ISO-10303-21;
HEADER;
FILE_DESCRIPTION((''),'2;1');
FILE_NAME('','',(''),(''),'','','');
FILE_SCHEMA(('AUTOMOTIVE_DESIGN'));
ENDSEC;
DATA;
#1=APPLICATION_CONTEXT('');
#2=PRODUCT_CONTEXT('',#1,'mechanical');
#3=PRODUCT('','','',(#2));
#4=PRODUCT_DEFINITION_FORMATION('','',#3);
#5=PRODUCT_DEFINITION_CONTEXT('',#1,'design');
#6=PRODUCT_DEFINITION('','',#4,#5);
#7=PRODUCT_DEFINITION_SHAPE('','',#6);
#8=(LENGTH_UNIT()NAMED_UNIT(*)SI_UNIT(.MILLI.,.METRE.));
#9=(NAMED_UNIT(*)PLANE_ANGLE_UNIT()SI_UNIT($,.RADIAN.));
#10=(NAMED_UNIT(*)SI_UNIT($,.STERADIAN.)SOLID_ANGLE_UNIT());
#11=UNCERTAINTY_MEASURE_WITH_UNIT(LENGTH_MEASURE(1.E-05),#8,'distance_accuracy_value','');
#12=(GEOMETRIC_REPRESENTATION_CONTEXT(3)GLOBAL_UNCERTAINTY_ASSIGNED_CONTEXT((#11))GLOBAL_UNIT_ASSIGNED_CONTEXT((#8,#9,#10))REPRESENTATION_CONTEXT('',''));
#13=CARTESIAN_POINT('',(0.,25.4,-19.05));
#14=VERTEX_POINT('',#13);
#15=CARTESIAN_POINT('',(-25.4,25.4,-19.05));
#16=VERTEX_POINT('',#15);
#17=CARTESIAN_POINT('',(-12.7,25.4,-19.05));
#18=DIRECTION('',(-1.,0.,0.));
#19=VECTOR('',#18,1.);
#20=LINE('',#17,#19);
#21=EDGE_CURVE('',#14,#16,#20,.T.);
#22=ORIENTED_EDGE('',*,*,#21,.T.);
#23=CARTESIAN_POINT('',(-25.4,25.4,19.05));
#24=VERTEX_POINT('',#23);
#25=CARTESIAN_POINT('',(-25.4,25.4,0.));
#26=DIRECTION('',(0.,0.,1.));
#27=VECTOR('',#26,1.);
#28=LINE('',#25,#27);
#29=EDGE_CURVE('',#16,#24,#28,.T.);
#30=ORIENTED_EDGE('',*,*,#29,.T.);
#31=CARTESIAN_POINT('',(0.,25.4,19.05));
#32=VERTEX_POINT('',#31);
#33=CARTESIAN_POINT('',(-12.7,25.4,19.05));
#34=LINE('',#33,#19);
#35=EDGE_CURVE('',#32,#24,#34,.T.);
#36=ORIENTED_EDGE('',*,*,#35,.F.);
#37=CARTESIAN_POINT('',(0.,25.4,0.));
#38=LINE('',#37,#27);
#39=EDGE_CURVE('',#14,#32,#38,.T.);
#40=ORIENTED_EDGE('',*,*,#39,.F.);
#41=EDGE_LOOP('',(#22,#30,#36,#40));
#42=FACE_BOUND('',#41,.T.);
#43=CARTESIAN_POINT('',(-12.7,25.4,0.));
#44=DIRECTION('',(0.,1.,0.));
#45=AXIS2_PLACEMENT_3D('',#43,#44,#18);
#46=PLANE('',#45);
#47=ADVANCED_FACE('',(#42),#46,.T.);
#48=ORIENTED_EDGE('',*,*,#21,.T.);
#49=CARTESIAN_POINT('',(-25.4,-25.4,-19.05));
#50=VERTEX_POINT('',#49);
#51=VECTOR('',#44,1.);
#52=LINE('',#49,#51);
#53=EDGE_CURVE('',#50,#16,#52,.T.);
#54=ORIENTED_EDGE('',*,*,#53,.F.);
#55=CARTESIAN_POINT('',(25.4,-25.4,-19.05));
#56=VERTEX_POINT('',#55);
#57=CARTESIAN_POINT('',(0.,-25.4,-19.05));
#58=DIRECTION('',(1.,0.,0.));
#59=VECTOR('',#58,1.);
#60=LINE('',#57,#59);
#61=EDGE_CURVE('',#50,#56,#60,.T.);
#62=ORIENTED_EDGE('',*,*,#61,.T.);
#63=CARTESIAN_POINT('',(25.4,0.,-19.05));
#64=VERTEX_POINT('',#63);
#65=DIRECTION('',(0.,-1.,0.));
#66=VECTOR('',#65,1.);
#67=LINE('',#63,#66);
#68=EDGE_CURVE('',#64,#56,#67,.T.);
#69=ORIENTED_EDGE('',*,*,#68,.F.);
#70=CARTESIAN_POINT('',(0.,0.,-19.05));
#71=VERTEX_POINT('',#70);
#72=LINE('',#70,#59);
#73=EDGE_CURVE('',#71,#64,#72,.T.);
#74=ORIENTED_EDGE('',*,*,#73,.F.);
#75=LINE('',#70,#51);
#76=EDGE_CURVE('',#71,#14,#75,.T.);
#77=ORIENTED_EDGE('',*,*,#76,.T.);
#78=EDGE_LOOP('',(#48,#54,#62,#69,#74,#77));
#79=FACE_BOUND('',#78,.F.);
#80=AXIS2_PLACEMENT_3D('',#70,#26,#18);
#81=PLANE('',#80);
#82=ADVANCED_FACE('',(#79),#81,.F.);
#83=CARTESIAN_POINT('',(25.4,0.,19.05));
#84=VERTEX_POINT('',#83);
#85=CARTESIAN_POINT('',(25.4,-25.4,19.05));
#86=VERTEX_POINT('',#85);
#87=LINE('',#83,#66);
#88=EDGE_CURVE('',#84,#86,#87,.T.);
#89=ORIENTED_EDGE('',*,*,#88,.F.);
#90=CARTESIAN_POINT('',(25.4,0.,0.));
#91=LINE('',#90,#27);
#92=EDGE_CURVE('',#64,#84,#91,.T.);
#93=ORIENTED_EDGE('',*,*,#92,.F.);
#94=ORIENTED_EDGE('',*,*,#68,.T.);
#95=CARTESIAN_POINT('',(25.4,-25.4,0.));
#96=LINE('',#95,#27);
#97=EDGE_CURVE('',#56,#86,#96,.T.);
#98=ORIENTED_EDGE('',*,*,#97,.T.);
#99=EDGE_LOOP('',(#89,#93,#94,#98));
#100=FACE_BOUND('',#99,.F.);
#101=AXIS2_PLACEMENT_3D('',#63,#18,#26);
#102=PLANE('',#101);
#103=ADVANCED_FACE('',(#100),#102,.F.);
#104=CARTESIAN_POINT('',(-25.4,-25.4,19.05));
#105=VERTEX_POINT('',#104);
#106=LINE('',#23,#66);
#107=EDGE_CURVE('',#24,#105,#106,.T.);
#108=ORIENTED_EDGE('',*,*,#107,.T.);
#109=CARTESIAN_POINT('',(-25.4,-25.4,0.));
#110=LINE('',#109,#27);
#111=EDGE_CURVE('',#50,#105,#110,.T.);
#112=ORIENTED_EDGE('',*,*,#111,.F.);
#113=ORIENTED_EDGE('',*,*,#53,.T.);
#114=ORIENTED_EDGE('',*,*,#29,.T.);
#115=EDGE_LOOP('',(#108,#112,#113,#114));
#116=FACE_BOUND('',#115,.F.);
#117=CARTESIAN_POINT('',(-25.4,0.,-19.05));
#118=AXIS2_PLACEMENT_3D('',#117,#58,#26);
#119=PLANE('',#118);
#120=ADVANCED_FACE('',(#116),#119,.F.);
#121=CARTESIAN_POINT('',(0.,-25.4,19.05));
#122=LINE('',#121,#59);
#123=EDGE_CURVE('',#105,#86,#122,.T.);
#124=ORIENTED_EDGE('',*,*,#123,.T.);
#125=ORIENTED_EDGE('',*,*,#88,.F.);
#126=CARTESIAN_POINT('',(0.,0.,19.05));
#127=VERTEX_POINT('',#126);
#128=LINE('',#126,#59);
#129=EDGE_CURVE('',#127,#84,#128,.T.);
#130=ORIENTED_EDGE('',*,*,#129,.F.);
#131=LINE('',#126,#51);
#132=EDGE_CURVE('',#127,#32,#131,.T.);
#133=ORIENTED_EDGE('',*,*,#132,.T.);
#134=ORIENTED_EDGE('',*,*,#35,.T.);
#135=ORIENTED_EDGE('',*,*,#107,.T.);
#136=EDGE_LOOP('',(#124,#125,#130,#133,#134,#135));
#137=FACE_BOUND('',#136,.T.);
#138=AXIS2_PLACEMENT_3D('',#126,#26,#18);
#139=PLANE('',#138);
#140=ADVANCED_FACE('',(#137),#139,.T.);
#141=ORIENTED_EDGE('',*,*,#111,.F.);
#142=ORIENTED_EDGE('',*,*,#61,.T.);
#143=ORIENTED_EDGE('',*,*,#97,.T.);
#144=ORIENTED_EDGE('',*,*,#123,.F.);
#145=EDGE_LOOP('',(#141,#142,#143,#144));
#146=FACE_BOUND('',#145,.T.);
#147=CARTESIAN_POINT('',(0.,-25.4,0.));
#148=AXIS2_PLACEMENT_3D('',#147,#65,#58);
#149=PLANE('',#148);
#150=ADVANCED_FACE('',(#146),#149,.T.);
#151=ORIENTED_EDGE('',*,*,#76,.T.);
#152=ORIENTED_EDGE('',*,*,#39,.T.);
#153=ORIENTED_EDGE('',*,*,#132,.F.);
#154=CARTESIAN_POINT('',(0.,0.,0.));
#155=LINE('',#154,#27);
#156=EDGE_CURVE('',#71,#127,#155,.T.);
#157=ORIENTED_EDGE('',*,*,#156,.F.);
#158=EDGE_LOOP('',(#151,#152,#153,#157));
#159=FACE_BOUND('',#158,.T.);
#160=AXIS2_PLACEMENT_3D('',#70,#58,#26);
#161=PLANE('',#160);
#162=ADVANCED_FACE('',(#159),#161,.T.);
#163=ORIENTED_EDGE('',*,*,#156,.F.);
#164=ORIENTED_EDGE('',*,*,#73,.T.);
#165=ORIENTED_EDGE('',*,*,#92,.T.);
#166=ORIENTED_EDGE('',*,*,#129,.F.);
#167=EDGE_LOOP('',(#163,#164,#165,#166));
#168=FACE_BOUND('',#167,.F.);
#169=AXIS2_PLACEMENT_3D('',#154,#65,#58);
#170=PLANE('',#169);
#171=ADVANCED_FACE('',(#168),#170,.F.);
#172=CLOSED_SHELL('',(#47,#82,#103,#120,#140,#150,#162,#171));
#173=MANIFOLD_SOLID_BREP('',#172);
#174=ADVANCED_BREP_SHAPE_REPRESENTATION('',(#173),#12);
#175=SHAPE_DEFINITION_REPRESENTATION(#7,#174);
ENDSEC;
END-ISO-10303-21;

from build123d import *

# Parameters (mm, degrees)
F0_W     = 50.8
F0_H     = 38.1
F1_DEPTH = 25.4
F2_W     = 25.4
F2_H     = 38.1
F3_DEPTH = 25.4


with BuildPart() as f1:
    # F0 (on Front) → F1 (new body)
    with BuildSketch(Plane.XZ):
        Rectangle(F0_W, F0_H)
    extrude(amount=F1_DEPTH)

    # F2 (on face) → F3 (join)
    with BuildSketch(Plane(origin=(0, 0, 0), x_dir=(-1, 0, 0), z_dir=(0, 1, 0))):
        with Locations((12.7, 0)):
            Rectangle(F2_W, F2_H)
    extrude(amount=F3_DEPTH)


solid = f1.part
